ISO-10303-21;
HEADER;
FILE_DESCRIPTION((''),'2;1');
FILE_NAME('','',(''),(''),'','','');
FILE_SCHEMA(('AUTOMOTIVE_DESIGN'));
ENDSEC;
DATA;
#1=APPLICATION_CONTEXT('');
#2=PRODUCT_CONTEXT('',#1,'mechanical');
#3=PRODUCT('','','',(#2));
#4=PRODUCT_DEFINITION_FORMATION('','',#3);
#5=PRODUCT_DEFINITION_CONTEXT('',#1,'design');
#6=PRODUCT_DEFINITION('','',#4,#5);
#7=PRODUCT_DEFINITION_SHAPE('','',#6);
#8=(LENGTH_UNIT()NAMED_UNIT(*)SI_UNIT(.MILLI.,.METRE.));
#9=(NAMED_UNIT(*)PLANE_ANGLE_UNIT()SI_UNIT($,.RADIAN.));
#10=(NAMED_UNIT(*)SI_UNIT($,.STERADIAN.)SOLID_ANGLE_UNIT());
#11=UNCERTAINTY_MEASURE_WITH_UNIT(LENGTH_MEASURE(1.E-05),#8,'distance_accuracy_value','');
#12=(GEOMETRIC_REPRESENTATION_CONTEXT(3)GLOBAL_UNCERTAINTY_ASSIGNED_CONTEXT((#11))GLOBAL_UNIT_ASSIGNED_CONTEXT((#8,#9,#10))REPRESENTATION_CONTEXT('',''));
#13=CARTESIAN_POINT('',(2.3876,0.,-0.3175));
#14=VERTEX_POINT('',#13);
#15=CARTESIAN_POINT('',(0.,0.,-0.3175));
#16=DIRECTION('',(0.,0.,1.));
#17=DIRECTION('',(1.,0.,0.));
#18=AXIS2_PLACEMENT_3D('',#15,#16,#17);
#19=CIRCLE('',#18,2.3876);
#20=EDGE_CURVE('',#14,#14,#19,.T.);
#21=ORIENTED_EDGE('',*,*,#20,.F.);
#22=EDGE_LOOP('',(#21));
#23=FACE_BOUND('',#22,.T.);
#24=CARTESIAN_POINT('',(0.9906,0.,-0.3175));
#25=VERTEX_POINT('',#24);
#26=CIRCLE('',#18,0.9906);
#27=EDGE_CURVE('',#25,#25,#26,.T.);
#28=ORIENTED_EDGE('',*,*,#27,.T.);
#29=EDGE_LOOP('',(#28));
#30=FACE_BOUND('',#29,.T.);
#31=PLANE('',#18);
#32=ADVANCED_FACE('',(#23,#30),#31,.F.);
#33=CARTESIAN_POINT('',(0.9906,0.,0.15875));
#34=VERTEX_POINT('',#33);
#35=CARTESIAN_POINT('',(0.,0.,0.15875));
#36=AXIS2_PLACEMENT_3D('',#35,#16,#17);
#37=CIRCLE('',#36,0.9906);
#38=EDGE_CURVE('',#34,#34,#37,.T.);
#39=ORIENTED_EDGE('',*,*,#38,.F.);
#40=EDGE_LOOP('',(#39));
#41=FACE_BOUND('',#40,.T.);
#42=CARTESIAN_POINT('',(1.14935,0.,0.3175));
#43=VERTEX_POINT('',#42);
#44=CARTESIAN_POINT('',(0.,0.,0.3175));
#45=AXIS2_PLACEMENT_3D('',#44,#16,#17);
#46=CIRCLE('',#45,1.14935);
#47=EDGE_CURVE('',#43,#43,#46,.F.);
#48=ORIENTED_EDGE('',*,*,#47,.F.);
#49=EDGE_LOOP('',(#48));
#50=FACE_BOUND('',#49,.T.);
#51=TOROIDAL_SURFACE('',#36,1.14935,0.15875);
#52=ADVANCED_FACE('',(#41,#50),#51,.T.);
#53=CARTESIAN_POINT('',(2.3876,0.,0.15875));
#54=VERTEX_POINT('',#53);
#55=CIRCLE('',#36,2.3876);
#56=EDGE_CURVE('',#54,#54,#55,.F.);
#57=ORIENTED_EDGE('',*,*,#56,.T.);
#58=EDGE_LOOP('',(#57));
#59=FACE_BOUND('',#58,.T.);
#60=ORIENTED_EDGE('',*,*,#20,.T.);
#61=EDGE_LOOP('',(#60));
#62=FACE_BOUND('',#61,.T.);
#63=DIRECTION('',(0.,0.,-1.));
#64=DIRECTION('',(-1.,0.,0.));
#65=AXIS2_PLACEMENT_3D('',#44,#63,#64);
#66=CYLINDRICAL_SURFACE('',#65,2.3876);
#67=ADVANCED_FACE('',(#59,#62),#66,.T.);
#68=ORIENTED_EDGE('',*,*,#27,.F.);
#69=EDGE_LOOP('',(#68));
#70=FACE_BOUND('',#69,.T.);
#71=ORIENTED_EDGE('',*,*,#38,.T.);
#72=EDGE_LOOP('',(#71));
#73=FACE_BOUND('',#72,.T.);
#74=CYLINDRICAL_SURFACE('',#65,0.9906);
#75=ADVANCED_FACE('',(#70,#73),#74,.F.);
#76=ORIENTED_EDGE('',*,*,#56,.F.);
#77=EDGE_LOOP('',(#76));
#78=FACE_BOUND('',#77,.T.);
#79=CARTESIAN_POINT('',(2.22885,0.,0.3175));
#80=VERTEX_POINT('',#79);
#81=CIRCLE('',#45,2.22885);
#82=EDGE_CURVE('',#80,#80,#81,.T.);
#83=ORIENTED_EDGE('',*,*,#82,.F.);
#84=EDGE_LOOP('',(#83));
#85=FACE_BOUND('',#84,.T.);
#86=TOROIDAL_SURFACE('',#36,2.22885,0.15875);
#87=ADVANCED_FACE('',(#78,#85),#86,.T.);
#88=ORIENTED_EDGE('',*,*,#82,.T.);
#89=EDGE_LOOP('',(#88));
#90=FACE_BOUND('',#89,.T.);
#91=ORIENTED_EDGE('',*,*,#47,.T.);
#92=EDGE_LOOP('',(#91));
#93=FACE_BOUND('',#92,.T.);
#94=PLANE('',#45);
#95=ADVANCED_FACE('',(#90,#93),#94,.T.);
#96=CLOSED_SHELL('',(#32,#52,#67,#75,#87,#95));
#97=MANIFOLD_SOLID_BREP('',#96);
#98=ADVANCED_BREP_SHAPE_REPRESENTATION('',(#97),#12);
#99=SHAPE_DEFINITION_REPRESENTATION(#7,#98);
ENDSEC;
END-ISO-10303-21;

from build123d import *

# Parameters (mm, degrees)
SKETCH3_R                = 2.3876
SKETCH3_R_2              = 0.9906
BOSS_EXTRUDE1_DEPTH      = 0.3175
BOSS_EXTRUDE1_DEPTH_BACK = 0.3175
FILLET1_R                = 0.15875


with BuildPart() as part:
    # Sketch3 → Boss-Extrude1 (new body, two sides)
    with BuildSketch(Plane.XY) as boss_extrude1_sk:
        Circle(SKETCH3_R)
        Circle(SKETCH3_R_2, mode=Mode.SUBTRACT)
    extrude(amount=BOSS_EXTRUDE1_DEPTH)
    extrude(boss_extrude1_sk.sketch, amount=-BOSS_EXTRUDE1_DEPTH_BACK)

    # Fillet1
    fillet1_edges = [part.edges().sort_by_distance(p)[0] for p in [
        (-2.3876, 0, 0.3175),
        (-0.9906, 0, 0.3175),
    ]]
    fillet(fillet1_edges, radius=FILLET1_R)


solid = part.part
